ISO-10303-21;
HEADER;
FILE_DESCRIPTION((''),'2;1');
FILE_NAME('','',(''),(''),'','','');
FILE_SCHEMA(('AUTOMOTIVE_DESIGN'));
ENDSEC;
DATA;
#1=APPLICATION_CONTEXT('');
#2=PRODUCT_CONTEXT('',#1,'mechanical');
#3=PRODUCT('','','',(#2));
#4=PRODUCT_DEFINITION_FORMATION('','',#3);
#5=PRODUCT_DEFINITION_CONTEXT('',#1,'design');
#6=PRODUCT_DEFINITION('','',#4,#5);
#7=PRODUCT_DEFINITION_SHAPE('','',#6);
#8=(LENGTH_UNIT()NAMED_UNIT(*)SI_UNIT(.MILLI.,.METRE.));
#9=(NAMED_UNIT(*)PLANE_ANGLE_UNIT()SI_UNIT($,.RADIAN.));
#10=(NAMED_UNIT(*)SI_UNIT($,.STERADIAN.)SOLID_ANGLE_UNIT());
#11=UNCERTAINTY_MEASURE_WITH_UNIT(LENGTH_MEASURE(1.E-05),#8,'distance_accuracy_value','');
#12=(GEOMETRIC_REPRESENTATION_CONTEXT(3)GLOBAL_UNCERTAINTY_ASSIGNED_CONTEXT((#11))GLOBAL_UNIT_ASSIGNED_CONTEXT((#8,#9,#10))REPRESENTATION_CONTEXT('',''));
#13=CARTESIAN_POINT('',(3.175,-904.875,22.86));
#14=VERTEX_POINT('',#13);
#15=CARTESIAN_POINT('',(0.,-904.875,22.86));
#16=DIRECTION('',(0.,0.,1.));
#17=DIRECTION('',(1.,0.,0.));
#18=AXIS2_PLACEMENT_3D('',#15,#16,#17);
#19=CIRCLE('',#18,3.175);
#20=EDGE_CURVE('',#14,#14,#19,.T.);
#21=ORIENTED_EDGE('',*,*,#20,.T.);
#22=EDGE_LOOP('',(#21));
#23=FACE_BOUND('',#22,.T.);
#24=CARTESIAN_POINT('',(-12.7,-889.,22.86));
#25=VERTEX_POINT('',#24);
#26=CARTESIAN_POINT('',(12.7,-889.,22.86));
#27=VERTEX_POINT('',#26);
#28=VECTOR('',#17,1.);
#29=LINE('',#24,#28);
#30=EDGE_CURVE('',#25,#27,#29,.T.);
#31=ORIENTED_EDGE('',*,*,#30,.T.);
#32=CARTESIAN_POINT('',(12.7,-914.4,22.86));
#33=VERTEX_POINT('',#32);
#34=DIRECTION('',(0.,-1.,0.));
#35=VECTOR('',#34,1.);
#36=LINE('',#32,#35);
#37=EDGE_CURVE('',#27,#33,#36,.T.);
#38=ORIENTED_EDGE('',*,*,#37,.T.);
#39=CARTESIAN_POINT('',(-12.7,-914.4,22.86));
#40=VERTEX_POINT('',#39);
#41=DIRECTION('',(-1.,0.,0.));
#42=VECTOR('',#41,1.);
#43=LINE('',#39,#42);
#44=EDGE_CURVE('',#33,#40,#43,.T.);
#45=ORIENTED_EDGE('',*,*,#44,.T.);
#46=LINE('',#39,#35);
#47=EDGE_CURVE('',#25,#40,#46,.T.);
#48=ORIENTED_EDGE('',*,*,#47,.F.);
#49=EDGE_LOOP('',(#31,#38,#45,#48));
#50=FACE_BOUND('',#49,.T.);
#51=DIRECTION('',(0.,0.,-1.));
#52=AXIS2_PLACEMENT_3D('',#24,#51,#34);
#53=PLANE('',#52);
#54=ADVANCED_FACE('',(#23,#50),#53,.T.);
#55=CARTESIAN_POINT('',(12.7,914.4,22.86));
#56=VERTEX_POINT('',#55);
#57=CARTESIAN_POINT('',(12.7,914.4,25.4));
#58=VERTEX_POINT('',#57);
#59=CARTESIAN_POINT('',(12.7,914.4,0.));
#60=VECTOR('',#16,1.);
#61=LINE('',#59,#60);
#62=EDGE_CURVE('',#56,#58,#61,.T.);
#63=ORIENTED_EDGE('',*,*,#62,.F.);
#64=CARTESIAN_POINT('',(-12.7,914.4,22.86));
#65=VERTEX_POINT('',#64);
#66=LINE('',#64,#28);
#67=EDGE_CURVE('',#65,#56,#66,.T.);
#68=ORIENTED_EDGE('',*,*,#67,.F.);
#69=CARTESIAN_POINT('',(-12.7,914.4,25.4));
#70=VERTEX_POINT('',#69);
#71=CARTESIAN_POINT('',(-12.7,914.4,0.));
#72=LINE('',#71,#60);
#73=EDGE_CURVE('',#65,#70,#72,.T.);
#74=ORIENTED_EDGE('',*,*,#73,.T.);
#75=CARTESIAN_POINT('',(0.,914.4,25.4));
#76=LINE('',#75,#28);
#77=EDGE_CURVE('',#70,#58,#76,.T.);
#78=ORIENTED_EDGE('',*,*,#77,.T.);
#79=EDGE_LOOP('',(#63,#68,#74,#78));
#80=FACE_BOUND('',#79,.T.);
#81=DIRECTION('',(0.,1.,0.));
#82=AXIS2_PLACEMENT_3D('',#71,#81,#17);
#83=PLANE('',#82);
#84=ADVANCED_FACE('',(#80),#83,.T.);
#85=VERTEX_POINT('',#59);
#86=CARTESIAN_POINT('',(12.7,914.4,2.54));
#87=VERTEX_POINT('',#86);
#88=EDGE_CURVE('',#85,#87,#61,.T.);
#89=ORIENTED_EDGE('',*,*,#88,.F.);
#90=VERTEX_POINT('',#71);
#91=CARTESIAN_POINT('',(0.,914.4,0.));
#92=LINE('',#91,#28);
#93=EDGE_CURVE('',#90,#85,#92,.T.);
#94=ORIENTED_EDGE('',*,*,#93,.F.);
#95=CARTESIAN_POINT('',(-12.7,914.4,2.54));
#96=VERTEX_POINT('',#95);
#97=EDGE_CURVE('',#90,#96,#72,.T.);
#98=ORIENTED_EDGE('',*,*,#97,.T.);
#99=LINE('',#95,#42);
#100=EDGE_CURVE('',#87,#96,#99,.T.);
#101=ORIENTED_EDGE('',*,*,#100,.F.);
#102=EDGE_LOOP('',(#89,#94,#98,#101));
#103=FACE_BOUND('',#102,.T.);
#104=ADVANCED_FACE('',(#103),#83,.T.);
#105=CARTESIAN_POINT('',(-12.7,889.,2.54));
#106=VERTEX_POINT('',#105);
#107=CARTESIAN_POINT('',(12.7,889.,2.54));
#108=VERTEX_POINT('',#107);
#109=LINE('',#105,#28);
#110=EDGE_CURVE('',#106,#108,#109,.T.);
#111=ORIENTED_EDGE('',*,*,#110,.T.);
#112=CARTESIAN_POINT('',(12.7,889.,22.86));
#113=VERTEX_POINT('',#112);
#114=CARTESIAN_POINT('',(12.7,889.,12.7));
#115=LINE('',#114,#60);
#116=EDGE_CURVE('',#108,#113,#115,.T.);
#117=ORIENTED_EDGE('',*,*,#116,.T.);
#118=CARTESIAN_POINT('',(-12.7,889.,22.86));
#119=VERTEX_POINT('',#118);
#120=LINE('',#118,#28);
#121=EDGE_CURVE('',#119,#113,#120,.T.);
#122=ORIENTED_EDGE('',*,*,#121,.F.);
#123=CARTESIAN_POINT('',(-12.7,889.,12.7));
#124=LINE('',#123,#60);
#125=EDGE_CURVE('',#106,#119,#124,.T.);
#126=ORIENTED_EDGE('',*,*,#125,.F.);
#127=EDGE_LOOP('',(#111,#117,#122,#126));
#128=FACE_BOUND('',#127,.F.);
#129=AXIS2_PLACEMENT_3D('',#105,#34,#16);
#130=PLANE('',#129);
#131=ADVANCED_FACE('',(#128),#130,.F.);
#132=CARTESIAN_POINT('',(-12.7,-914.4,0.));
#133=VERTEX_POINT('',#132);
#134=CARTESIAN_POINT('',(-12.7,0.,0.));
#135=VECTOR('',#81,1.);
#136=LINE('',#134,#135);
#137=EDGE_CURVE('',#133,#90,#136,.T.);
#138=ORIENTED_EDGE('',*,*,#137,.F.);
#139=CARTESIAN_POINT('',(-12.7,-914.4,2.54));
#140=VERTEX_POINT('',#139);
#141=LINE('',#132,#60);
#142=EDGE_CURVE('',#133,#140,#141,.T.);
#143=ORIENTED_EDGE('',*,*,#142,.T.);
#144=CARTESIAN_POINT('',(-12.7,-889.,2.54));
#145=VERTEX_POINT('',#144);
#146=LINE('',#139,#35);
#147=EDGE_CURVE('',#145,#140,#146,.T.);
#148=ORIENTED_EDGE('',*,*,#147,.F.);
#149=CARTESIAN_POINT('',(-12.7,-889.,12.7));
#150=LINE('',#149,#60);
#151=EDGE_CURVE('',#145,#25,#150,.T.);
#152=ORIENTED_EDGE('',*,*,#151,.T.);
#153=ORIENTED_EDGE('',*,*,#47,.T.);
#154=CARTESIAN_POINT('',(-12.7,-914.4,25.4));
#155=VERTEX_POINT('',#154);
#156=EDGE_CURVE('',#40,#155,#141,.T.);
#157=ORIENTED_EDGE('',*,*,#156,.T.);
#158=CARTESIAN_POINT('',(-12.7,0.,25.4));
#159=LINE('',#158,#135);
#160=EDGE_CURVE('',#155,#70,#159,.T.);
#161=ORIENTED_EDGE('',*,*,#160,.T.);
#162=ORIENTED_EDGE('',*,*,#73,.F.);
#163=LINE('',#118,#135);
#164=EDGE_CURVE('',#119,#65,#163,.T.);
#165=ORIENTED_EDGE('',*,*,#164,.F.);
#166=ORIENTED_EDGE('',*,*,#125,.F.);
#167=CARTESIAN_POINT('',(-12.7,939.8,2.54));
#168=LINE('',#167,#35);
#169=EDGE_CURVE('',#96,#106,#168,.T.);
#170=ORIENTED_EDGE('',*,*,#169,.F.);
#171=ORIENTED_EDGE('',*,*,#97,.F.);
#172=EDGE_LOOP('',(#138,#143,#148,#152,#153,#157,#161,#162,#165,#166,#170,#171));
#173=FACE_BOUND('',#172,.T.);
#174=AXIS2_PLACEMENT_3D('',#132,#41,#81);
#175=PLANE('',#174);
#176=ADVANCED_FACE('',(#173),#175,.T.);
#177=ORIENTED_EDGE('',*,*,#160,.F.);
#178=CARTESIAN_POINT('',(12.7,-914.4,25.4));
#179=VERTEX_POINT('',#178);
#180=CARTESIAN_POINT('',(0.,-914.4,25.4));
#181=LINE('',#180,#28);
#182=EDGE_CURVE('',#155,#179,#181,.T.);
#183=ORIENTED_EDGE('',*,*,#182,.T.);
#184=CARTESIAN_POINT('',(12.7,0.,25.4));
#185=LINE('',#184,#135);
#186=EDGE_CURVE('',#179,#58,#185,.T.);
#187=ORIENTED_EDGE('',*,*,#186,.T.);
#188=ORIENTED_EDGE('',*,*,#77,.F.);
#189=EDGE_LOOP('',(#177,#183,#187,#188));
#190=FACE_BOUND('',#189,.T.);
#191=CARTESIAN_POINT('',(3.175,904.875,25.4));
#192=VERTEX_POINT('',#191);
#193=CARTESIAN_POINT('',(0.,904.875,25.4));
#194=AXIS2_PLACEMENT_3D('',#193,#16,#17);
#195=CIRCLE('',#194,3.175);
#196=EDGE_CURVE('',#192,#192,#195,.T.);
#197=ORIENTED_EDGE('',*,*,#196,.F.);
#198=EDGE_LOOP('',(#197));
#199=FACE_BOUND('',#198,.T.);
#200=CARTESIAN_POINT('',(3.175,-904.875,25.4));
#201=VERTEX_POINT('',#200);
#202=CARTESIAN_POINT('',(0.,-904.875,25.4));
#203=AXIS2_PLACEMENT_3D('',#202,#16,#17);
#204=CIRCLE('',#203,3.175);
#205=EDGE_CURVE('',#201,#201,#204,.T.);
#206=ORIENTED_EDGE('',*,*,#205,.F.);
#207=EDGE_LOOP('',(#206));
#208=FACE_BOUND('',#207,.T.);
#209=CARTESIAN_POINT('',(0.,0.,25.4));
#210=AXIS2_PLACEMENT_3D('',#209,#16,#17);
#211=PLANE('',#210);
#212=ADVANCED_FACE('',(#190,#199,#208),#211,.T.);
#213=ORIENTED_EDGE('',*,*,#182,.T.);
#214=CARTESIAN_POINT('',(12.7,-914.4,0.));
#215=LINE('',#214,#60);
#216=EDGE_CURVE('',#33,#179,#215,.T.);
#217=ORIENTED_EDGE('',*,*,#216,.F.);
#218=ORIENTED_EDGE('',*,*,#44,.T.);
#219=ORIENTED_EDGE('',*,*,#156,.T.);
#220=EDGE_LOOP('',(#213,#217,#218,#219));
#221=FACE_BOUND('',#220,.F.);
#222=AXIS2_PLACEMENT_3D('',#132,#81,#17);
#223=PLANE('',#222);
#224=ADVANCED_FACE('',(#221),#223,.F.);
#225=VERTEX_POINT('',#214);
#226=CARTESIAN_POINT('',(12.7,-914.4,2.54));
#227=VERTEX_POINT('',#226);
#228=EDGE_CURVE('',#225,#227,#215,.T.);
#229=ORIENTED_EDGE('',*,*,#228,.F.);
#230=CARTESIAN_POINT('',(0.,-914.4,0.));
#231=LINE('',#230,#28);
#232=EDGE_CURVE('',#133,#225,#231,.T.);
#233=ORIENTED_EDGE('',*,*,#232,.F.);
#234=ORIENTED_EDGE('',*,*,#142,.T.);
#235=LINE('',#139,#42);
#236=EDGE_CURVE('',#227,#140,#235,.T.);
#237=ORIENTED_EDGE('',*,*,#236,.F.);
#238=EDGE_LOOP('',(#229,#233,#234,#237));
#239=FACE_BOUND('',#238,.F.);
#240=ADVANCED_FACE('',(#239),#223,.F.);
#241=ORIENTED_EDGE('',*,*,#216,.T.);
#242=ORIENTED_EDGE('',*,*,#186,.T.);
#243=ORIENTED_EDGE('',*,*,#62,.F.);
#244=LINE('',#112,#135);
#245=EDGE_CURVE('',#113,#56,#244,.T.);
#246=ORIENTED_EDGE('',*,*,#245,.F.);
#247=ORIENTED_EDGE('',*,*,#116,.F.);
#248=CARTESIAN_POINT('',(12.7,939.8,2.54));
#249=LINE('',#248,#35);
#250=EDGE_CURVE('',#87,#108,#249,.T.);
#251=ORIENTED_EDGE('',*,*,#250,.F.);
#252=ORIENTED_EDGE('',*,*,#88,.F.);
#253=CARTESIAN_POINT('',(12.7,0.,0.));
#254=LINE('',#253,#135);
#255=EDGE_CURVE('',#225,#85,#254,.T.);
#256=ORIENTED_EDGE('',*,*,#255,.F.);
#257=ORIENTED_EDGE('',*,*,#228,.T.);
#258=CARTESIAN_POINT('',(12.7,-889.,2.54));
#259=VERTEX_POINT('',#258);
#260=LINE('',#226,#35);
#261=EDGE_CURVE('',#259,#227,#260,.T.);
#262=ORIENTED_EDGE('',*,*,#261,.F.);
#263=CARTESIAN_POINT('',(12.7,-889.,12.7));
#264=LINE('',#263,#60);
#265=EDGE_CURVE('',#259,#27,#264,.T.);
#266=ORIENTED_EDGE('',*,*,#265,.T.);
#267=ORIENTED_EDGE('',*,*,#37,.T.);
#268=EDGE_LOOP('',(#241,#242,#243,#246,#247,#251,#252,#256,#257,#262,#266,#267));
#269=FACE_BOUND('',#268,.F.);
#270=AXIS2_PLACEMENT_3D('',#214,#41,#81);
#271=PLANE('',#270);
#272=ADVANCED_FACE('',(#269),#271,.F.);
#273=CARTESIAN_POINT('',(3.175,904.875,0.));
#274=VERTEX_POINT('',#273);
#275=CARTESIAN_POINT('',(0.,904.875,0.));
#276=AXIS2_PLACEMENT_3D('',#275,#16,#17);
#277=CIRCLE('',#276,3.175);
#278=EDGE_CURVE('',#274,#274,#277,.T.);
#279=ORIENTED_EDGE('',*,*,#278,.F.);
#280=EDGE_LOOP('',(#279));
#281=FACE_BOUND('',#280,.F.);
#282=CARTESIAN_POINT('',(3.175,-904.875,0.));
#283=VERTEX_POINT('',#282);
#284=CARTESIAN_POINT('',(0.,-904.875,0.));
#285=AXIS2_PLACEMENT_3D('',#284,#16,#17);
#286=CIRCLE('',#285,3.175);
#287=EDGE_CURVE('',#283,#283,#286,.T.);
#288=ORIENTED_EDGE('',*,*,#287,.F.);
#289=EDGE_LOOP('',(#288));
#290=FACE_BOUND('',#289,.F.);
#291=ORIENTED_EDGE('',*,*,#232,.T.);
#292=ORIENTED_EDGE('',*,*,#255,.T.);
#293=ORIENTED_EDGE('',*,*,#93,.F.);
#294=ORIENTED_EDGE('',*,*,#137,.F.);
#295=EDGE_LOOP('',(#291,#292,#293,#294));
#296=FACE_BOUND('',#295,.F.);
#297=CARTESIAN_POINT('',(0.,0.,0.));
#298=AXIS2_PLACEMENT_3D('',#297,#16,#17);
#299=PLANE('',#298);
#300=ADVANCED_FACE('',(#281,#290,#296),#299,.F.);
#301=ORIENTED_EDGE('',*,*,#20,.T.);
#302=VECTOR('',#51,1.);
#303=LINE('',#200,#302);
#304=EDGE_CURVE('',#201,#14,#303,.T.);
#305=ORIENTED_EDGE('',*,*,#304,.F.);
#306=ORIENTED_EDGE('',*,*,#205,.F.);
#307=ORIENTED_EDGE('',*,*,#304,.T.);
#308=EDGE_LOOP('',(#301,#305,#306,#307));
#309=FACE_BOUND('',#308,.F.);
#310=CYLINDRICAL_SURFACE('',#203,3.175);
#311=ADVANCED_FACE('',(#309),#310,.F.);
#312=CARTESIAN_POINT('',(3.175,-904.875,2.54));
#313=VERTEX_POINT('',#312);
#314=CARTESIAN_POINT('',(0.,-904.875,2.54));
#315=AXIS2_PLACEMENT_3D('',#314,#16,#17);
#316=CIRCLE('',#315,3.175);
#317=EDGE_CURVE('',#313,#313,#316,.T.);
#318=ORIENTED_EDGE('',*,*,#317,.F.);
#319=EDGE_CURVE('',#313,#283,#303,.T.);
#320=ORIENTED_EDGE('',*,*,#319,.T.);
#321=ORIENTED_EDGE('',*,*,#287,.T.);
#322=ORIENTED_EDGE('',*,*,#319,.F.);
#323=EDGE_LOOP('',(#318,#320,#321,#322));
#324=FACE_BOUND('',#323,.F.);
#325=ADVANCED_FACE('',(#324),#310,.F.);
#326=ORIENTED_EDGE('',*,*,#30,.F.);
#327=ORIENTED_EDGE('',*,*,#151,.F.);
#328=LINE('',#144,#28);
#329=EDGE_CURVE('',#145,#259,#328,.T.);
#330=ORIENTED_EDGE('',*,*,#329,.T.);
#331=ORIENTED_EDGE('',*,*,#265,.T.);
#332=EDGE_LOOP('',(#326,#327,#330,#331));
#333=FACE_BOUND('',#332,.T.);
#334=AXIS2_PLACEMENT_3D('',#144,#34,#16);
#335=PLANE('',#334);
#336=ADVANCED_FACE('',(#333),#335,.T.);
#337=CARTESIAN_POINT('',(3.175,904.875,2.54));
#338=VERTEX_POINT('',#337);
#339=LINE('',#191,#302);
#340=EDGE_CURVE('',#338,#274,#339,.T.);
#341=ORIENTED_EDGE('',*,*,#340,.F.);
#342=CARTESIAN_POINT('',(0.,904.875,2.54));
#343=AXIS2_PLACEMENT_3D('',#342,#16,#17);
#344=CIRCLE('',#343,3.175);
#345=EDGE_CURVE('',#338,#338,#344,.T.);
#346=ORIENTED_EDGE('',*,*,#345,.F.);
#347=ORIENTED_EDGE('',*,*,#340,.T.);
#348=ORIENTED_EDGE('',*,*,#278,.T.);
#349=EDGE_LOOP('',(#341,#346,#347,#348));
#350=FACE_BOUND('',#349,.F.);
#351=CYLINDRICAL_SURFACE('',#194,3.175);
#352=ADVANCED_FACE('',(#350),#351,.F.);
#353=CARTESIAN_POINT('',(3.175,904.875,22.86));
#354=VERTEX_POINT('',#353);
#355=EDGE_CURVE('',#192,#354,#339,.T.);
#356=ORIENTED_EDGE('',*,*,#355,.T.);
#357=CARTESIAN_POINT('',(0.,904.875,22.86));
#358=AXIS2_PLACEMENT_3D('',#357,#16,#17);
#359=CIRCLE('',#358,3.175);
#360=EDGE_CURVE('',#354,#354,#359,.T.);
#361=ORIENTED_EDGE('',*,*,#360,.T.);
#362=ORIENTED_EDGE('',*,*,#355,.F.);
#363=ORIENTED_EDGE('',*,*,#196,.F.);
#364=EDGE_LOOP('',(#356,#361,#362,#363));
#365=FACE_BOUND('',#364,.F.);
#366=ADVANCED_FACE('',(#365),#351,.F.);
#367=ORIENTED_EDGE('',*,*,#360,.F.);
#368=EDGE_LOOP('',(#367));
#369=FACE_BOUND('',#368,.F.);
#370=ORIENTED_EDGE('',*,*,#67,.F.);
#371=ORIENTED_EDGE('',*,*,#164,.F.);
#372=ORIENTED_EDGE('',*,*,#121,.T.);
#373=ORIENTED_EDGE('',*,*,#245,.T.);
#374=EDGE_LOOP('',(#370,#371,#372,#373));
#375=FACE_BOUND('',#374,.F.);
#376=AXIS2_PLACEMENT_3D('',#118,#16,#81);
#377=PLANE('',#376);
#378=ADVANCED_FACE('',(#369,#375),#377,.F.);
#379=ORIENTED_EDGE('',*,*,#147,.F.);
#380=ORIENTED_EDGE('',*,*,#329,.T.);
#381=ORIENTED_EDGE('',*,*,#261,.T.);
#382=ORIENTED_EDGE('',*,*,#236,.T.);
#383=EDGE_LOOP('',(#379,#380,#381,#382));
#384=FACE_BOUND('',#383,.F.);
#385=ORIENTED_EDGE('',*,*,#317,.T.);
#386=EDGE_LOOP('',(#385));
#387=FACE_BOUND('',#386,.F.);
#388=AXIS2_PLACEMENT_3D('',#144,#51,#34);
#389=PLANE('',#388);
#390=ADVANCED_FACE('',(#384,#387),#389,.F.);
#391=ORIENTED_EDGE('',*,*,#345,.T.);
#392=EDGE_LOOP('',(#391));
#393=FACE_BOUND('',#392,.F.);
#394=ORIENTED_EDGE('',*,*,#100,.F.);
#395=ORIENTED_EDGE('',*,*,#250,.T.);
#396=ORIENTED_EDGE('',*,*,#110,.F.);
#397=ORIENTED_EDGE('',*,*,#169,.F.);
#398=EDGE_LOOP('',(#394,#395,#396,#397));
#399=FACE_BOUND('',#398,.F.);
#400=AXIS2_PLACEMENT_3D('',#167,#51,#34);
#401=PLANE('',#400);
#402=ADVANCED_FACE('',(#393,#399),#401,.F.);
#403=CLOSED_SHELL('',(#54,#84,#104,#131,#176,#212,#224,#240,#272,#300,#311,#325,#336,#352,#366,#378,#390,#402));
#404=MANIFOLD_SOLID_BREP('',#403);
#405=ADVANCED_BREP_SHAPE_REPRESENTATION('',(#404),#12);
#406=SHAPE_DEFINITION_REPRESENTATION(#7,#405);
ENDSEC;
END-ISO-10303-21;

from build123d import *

# Parameters (mm, degrees)
F0_W     = 25.4
F0_H     = 1828.8
F1_DEPTH = 25.4
F2_W     = 25.4
F2_H     = 20.32
F3_DEPTH = 25.4
F4_W     = 50.8
F4_H     = 20.32
F5_DEPTH = 25.4
F6_R     = 3.175
F7_DEPTH = 50.8


with BuildPart() as f1:
    # F0 (on Top) → F1 (new body)
    with BuildSketch(Plane.XY):
        Rectangle(F0_W, F0_H)
    extrude(amount=F1_DEPTH)

    # F2 (on face) → F3 (cut)
    with BuildSketch(Plane(origin=(-12.7, 0, 0), x_dir=(0, -1, 0), z_dir=(-1, 0, 0))):
        with Locations((-927.1, 12.7)):
            Rectangle(F2_W, F2_H)
        with Locations((-901.7, 12.7)):
            Rectangle(F2_W, F2_H)
    extrude(amount=-F3_DEPTH, mode=Mode.SUBTRACT)

    # F4 (on face) → F5 (cut)
    with BuildSketch(Plane(origin=(-12.7, 0, 0), x_dir=(0, -1, 0), z_dir=(-1, 0, 0))):
        with Locations((914.4, 12.7)):
            Rectangle(F4_W, F4_H)
    extrude(amount=-F5_DEPTH, mode=Mode.SUBTRACT)

    # F6 (on face) → F7 (cut)
    with BuildSketch(Plane.XY.offset(25.4)):
        with Locations((0, 904.875)):
            Circle(F6_R)
        with Locations((0, -904.875)):
            Circle(F6_R)
    extrude(amount=-F7_DEPTH, mode=Mode.SUBTRACT)


solid = f1.part
